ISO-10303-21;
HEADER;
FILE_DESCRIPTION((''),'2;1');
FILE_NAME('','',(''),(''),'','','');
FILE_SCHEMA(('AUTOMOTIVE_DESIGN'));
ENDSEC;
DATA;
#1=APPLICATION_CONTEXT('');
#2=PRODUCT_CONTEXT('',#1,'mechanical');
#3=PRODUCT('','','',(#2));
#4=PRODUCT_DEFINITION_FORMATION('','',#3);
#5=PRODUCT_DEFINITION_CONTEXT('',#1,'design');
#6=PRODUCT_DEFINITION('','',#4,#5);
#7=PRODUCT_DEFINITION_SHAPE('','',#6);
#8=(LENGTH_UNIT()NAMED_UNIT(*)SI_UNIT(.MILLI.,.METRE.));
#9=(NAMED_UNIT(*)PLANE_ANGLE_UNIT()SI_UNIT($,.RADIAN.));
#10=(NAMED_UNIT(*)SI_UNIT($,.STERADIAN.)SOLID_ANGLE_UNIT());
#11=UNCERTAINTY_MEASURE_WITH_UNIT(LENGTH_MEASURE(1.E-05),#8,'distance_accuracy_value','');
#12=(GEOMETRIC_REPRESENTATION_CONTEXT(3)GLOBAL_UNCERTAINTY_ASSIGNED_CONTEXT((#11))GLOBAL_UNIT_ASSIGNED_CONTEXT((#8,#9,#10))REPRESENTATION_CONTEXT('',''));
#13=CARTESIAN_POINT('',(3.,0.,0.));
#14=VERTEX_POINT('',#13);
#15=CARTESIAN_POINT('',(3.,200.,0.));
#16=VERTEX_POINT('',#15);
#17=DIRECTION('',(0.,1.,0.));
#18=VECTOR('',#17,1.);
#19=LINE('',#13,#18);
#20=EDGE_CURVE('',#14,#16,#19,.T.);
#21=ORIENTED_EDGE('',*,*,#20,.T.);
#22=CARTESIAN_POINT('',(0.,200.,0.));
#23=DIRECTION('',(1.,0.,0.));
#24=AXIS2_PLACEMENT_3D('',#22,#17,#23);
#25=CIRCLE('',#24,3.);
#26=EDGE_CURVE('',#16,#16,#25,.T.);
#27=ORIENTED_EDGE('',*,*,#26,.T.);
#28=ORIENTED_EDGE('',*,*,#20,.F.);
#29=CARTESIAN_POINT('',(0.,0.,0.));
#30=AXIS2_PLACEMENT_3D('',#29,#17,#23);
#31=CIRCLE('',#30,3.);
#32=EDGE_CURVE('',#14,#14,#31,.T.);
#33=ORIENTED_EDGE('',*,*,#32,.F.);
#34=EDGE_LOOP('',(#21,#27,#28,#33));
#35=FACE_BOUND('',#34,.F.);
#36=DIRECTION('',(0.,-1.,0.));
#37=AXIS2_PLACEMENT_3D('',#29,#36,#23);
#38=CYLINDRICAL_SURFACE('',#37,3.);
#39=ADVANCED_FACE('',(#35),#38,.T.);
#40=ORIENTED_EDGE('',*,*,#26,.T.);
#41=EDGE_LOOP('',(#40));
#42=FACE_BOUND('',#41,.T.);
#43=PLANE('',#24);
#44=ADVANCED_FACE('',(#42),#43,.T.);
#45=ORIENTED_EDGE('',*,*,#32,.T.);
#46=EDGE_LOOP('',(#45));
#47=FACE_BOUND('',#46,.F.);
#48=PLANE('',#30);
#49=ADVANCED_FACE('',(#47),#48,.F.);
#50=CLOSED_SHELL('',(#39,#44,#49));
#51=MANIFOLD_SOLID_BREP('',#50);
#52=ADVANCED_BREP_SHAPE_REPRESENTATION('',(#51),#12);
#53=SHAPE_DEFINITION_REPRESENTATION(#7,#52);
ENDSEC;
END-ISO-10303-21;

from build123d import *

# Parameters (mm, degrees)
CROQUIS1_R              = 3
SALIENTE_EXTRUIR1_DEPTH = 200


with BuildPart() as part:
    # Croquis1 → Saliente-Extruir1 (new body)
    with BuildSketch(Plane(origin=(0, 0, 0), x_dir=(1, 0, 0), z_dir=(0, 1, 0))):
        Circle(CROQUIS1_R)
    extrude(amount=SALIENTE_EXTRUIR1_DEPTH)


solid = part.part
